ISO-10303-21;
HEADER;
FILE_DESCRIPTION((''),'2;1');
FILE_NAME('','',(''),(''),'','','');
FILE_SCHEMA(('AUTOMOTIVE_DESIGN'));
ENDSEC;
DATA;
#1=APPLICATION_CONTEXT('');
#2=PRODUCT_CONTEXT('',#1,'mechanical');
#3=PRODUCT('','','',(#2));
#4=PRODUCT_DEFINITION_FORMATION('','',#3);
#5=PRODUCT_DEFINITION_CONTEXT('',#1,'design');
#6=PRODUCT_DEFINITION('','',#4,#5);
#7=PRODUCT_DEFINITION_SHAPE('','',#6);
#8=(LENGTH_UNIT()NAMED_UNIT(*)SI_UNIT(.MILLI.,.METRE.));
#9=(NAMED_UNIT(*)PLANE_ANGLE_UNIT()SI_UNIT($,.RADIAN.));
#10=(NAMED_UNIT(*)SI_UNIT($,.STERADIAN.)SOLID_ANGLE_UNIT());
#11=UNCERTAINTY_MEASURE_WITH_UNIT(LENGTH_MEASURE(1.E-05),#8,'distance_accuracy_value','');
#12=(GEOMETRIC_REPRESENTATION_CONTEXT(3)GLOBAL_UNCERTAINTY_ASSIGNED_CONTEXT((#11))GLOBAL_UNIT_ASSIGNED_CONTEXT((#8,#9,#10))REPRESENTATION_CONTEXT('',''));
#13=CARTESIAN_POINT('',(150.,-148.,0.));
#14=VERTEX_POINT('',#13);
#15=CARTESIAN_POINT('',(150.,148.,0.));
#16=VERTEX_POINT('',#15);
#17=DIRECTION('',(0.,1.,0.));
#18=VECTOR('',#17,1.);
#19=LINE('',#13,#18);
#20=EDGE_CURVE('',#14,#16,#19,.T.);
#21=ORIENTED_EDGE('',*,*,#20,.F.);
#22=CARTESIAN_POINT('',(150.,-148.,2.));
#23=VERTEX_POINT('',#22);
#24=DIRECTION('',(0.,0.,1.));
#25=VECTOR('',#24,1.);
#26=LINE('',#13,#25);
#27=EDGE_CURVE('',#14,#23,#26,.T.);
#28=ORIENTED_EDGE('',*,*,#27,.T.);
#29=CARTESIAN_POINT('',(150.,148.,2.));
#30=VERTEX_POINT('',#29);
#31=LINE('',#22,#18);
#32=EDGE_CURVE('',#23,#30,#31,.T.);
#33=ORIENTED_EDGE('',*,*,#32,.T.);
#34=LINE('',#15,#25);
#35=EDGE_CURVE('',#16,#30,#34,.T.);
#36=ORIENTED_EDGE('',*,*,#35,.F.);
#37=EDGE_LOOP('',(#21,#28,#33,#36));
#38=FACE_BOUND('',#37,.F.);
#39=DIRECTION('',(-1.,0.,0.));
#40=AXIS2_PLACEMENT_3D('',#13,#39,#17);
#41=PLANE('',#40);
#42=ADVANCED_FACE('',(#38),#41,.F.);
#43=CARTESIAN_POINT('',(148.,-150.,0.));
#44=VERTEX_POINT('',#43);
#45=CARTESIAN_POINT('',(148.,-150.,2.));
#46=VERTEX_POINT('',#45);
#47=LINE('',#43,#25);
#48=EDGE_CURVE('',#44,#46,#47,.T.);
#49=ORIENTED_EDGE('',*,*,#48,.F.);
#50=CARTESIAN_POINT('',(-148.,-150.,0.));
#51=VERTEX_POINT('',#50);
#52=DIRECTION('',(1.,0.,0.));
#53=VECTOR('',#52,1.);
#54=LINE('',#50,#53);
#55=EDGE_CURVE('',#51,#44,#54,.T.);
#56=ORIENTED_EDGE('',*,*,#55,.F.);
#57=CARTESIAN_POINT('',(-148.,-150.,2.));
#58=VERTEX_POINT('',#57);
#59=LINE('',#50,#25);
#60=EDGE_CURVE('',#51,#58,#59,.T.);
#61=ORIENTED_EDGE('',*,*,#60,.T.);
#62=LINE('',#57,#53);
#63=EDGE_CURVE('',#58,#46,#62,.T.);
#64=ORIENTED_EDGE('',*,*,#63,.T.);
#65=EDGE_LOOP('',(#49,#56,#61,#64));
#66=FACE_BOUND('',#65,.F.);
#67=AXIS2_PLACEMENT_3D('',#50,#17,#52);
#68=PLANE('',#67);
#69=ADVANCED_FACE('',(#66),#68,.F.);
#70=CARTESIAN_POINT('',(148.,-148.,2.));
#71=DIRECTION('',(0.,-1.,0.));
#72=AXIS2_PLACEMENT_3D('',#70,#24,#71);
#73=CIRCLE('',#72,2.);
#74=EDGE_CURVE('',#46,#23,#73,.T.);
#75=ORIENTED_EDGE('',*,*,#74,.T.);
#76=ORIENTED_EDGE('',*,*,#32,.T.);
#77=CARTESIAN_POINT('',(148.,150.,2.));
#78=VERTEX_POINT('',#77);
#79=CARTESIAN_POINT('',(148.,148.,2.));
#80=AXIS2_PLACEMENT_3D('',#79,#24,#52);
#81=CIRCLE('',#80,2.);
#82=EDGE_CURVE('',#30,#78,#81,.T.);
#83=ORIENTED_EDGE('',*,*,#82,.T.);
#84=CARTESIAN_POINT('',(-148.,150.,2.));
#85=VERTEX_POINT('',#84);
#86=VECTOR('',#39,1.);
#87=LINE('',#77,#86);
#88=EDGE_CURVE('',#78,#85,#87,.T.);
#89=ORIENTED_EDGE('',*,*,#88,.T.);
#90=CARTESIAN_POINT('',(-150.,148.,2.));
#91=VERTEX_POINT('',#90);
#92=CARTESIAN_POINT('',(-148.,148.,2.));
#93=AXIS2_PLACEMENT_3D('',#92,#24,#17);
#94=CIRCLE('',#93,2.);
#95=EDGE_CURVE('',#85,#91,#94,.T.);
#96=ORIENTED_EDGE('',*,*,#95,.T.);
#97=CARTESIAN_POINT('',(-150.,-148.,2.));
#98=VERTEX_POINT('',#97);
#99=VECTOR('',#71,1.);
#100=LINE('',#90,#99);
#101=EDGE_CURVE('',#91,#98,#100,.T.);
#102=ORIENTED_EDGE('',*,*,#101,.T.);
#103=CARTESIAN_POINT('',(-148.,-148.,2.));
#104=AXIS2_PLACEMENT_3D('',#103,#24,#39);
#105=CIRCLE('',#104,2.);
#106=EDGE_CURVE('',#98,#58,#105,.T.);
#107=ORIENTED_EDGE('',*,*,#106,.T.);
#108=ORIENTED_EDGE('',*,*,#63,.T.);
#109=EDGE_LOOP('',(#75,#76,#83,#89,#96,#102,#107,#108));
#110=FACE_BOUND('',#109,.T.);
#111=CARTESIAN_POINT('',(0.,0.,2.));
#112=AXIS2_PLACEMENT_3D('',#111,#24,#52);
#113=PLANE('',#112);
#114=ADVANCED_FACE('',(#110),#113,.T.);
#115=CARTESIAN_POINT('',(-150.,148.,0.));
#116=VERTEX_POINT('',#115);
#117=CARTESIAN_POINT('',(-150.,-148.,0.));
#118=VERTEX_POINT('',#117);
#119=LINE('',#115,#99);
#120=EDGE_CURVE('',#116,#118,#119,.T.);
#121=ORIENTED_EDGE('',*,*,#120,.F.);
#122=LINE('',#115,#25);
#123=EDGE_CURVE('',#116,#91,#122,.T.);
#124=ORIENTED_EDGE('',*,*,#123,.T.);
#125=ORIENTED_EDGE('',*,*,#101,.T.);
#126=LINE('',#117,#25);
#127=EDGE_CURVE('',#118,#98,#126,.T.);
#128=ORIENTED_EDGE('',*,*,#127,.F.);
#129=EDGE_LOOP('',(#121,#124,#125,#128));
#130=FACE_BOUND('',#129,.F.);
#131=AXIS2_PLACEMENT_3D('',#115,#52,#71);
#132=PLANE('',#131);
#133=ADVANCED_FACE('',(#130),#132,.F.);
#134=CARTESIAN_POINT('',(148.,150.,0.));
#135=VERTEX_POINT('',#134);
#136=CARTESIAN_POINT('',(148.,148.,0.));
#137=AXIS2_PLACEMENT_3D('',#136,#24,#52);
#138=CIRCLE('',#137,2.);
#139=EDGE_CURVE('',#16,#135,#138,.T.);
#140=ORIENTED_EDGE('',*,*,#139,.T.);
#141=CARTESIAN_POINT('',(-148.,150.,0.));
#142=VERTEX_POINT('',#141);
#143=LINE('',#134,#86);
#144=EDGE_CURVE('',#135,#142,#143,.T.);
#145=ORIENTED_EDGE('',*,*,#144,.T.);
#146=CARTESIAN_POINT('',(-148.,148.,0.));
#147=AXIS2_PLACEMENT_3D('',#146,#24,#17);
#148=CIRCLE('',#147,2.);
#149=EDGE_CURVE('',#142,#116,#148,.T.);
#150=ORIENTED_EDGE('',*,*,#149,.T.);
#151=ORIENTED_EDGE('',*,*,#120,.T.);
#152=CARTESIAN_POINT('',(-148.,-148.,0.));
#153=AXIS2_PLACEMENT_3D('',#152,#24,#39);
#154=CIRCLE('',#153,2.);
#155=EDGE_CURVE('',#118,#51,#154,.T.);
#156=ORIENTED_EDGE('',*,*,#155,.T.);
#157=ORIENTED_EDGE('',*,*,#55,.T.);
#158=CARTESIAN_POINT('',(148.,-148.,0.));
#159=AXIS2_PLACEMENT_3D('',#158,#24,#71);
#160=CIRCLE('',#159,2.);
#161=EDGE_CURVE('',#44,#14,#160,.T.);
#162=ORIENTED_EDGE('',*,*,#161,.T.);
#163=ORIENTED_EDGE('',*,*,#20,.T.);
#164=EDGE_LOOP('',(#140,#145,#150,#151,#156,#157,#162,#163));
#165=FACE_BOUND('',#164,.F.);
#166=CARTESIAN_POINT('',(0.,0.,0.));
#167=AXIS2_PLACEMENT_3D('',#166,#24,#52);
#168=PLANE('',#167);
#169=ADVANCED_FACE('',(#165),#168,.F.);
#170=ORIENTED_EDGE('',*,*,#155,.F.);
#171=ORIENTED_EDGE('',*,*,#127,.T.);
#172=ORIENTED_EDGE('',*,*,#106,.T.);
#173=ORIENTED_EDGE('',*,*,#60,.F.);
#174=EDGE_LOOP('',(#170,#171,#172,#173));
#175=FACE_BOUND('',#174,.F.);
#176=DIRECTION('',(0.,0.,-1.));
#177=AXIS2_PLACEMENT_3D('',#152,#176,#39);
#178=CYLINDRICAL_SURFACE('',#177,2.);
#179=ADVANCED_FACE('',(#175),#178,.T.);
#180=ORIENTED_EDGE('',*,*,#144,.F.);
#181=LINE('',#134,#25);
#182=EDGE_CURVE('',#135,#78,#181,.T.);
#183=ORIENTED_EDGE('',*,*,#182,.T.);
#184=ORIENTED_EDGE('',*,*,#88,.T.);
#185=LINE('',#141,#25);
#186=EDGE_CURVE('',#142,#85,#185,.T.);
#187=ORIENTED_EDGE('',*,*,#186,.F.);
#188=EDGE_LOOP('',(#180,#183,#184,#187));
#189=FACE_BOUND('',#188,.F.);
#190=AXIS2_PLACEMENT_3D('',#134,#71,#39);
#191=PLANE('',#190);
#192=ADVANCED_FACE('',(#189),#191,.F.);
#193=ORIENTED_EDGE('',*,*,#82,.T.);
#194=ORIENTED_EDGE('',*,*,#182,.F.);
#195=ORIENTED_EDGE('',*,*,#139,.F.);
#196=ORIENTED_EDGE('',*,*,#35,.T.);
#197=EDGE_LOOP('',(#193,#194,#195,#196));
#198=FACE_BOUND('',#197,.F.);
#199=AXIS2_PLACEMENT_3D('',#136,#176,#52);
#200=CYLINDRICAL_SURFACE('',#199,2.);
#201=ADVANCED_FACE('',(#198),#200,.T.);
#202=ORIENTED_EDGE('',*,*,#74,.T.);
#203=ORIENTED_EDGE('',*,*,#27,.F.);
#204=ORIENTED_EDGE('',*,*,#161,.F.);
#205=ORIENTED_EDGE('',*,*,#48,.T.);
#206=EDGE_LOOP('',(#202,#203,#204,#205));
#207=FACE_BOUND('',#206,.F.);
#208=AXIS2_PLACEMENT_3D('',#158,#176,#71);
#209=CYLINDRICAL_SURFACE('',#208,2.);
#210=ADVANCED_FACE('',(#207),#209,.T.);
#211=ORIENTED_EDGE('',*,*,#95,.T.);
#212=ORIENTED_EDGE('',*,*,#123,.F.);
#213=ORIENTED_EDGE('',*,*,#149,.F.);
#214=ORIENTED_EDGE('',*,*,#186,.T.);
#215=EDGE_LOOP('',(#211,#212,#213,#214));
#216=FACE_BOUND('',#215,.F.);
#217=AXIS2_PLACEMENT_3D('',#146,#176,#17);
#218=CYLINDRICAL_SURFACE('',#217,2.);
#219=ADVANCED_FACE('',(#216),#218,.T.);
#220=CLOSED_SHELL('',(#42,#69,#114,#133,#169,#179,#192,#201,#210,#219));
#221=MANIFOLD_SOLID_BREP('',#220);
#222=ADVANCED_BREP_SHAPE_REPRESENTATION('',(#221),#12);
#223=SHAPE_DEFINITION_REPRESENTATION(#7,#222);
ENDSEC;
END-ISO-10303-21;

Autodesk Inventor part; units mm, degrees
ref_plane "YZ Plane" through (0, 0, 0) normal (1, 0, 0) x (0, 1, 0)
ref_plane "XZ Plane" through (0, 0, 0) normal (0, 1, 0) x (-1, 0, 0)
ref_plane "XY Plane" through (0, 0, 0) normal (0, 0, 1) x (1, 0, 0)
sketch "Skizze1" plane through (0, 0, 0) normal (0, 0, 1) x (1, 0, 0)
  line L0 (-148, -150) -> (148, -150)
  line L1 (150, -148) -> (150, 148)
  line L2 (148, 150) -> (-148, 150)
  line L3 (-150, 148) -> (-150, -148)
  line L4 (-150, -150) -> (150, 150) construction
  line L5 (150, -150) -> (-150, 150) construction
  arc A0 (-148, 150) -> (-150, 148) centre (-148, 148) ccw
  arc A1 (150, 148) -> (148, 150) centre (148, 148) ccw
  arc A2 (148, -150) -> (150, -148) centre (148, -148) ccw
  arc A3 (-150, -148) -> (-148, -150) centre (-148, -148) ccw
  point P0 (0, 0)
  dimension "d0" = 300
  dimension "d1" = 300
  dimension "d4" = 2
extrude "Extrusion1" add sketch "Skizze1" along normal blind 2
properties part number "silicone heater" material "Kautschuk"
